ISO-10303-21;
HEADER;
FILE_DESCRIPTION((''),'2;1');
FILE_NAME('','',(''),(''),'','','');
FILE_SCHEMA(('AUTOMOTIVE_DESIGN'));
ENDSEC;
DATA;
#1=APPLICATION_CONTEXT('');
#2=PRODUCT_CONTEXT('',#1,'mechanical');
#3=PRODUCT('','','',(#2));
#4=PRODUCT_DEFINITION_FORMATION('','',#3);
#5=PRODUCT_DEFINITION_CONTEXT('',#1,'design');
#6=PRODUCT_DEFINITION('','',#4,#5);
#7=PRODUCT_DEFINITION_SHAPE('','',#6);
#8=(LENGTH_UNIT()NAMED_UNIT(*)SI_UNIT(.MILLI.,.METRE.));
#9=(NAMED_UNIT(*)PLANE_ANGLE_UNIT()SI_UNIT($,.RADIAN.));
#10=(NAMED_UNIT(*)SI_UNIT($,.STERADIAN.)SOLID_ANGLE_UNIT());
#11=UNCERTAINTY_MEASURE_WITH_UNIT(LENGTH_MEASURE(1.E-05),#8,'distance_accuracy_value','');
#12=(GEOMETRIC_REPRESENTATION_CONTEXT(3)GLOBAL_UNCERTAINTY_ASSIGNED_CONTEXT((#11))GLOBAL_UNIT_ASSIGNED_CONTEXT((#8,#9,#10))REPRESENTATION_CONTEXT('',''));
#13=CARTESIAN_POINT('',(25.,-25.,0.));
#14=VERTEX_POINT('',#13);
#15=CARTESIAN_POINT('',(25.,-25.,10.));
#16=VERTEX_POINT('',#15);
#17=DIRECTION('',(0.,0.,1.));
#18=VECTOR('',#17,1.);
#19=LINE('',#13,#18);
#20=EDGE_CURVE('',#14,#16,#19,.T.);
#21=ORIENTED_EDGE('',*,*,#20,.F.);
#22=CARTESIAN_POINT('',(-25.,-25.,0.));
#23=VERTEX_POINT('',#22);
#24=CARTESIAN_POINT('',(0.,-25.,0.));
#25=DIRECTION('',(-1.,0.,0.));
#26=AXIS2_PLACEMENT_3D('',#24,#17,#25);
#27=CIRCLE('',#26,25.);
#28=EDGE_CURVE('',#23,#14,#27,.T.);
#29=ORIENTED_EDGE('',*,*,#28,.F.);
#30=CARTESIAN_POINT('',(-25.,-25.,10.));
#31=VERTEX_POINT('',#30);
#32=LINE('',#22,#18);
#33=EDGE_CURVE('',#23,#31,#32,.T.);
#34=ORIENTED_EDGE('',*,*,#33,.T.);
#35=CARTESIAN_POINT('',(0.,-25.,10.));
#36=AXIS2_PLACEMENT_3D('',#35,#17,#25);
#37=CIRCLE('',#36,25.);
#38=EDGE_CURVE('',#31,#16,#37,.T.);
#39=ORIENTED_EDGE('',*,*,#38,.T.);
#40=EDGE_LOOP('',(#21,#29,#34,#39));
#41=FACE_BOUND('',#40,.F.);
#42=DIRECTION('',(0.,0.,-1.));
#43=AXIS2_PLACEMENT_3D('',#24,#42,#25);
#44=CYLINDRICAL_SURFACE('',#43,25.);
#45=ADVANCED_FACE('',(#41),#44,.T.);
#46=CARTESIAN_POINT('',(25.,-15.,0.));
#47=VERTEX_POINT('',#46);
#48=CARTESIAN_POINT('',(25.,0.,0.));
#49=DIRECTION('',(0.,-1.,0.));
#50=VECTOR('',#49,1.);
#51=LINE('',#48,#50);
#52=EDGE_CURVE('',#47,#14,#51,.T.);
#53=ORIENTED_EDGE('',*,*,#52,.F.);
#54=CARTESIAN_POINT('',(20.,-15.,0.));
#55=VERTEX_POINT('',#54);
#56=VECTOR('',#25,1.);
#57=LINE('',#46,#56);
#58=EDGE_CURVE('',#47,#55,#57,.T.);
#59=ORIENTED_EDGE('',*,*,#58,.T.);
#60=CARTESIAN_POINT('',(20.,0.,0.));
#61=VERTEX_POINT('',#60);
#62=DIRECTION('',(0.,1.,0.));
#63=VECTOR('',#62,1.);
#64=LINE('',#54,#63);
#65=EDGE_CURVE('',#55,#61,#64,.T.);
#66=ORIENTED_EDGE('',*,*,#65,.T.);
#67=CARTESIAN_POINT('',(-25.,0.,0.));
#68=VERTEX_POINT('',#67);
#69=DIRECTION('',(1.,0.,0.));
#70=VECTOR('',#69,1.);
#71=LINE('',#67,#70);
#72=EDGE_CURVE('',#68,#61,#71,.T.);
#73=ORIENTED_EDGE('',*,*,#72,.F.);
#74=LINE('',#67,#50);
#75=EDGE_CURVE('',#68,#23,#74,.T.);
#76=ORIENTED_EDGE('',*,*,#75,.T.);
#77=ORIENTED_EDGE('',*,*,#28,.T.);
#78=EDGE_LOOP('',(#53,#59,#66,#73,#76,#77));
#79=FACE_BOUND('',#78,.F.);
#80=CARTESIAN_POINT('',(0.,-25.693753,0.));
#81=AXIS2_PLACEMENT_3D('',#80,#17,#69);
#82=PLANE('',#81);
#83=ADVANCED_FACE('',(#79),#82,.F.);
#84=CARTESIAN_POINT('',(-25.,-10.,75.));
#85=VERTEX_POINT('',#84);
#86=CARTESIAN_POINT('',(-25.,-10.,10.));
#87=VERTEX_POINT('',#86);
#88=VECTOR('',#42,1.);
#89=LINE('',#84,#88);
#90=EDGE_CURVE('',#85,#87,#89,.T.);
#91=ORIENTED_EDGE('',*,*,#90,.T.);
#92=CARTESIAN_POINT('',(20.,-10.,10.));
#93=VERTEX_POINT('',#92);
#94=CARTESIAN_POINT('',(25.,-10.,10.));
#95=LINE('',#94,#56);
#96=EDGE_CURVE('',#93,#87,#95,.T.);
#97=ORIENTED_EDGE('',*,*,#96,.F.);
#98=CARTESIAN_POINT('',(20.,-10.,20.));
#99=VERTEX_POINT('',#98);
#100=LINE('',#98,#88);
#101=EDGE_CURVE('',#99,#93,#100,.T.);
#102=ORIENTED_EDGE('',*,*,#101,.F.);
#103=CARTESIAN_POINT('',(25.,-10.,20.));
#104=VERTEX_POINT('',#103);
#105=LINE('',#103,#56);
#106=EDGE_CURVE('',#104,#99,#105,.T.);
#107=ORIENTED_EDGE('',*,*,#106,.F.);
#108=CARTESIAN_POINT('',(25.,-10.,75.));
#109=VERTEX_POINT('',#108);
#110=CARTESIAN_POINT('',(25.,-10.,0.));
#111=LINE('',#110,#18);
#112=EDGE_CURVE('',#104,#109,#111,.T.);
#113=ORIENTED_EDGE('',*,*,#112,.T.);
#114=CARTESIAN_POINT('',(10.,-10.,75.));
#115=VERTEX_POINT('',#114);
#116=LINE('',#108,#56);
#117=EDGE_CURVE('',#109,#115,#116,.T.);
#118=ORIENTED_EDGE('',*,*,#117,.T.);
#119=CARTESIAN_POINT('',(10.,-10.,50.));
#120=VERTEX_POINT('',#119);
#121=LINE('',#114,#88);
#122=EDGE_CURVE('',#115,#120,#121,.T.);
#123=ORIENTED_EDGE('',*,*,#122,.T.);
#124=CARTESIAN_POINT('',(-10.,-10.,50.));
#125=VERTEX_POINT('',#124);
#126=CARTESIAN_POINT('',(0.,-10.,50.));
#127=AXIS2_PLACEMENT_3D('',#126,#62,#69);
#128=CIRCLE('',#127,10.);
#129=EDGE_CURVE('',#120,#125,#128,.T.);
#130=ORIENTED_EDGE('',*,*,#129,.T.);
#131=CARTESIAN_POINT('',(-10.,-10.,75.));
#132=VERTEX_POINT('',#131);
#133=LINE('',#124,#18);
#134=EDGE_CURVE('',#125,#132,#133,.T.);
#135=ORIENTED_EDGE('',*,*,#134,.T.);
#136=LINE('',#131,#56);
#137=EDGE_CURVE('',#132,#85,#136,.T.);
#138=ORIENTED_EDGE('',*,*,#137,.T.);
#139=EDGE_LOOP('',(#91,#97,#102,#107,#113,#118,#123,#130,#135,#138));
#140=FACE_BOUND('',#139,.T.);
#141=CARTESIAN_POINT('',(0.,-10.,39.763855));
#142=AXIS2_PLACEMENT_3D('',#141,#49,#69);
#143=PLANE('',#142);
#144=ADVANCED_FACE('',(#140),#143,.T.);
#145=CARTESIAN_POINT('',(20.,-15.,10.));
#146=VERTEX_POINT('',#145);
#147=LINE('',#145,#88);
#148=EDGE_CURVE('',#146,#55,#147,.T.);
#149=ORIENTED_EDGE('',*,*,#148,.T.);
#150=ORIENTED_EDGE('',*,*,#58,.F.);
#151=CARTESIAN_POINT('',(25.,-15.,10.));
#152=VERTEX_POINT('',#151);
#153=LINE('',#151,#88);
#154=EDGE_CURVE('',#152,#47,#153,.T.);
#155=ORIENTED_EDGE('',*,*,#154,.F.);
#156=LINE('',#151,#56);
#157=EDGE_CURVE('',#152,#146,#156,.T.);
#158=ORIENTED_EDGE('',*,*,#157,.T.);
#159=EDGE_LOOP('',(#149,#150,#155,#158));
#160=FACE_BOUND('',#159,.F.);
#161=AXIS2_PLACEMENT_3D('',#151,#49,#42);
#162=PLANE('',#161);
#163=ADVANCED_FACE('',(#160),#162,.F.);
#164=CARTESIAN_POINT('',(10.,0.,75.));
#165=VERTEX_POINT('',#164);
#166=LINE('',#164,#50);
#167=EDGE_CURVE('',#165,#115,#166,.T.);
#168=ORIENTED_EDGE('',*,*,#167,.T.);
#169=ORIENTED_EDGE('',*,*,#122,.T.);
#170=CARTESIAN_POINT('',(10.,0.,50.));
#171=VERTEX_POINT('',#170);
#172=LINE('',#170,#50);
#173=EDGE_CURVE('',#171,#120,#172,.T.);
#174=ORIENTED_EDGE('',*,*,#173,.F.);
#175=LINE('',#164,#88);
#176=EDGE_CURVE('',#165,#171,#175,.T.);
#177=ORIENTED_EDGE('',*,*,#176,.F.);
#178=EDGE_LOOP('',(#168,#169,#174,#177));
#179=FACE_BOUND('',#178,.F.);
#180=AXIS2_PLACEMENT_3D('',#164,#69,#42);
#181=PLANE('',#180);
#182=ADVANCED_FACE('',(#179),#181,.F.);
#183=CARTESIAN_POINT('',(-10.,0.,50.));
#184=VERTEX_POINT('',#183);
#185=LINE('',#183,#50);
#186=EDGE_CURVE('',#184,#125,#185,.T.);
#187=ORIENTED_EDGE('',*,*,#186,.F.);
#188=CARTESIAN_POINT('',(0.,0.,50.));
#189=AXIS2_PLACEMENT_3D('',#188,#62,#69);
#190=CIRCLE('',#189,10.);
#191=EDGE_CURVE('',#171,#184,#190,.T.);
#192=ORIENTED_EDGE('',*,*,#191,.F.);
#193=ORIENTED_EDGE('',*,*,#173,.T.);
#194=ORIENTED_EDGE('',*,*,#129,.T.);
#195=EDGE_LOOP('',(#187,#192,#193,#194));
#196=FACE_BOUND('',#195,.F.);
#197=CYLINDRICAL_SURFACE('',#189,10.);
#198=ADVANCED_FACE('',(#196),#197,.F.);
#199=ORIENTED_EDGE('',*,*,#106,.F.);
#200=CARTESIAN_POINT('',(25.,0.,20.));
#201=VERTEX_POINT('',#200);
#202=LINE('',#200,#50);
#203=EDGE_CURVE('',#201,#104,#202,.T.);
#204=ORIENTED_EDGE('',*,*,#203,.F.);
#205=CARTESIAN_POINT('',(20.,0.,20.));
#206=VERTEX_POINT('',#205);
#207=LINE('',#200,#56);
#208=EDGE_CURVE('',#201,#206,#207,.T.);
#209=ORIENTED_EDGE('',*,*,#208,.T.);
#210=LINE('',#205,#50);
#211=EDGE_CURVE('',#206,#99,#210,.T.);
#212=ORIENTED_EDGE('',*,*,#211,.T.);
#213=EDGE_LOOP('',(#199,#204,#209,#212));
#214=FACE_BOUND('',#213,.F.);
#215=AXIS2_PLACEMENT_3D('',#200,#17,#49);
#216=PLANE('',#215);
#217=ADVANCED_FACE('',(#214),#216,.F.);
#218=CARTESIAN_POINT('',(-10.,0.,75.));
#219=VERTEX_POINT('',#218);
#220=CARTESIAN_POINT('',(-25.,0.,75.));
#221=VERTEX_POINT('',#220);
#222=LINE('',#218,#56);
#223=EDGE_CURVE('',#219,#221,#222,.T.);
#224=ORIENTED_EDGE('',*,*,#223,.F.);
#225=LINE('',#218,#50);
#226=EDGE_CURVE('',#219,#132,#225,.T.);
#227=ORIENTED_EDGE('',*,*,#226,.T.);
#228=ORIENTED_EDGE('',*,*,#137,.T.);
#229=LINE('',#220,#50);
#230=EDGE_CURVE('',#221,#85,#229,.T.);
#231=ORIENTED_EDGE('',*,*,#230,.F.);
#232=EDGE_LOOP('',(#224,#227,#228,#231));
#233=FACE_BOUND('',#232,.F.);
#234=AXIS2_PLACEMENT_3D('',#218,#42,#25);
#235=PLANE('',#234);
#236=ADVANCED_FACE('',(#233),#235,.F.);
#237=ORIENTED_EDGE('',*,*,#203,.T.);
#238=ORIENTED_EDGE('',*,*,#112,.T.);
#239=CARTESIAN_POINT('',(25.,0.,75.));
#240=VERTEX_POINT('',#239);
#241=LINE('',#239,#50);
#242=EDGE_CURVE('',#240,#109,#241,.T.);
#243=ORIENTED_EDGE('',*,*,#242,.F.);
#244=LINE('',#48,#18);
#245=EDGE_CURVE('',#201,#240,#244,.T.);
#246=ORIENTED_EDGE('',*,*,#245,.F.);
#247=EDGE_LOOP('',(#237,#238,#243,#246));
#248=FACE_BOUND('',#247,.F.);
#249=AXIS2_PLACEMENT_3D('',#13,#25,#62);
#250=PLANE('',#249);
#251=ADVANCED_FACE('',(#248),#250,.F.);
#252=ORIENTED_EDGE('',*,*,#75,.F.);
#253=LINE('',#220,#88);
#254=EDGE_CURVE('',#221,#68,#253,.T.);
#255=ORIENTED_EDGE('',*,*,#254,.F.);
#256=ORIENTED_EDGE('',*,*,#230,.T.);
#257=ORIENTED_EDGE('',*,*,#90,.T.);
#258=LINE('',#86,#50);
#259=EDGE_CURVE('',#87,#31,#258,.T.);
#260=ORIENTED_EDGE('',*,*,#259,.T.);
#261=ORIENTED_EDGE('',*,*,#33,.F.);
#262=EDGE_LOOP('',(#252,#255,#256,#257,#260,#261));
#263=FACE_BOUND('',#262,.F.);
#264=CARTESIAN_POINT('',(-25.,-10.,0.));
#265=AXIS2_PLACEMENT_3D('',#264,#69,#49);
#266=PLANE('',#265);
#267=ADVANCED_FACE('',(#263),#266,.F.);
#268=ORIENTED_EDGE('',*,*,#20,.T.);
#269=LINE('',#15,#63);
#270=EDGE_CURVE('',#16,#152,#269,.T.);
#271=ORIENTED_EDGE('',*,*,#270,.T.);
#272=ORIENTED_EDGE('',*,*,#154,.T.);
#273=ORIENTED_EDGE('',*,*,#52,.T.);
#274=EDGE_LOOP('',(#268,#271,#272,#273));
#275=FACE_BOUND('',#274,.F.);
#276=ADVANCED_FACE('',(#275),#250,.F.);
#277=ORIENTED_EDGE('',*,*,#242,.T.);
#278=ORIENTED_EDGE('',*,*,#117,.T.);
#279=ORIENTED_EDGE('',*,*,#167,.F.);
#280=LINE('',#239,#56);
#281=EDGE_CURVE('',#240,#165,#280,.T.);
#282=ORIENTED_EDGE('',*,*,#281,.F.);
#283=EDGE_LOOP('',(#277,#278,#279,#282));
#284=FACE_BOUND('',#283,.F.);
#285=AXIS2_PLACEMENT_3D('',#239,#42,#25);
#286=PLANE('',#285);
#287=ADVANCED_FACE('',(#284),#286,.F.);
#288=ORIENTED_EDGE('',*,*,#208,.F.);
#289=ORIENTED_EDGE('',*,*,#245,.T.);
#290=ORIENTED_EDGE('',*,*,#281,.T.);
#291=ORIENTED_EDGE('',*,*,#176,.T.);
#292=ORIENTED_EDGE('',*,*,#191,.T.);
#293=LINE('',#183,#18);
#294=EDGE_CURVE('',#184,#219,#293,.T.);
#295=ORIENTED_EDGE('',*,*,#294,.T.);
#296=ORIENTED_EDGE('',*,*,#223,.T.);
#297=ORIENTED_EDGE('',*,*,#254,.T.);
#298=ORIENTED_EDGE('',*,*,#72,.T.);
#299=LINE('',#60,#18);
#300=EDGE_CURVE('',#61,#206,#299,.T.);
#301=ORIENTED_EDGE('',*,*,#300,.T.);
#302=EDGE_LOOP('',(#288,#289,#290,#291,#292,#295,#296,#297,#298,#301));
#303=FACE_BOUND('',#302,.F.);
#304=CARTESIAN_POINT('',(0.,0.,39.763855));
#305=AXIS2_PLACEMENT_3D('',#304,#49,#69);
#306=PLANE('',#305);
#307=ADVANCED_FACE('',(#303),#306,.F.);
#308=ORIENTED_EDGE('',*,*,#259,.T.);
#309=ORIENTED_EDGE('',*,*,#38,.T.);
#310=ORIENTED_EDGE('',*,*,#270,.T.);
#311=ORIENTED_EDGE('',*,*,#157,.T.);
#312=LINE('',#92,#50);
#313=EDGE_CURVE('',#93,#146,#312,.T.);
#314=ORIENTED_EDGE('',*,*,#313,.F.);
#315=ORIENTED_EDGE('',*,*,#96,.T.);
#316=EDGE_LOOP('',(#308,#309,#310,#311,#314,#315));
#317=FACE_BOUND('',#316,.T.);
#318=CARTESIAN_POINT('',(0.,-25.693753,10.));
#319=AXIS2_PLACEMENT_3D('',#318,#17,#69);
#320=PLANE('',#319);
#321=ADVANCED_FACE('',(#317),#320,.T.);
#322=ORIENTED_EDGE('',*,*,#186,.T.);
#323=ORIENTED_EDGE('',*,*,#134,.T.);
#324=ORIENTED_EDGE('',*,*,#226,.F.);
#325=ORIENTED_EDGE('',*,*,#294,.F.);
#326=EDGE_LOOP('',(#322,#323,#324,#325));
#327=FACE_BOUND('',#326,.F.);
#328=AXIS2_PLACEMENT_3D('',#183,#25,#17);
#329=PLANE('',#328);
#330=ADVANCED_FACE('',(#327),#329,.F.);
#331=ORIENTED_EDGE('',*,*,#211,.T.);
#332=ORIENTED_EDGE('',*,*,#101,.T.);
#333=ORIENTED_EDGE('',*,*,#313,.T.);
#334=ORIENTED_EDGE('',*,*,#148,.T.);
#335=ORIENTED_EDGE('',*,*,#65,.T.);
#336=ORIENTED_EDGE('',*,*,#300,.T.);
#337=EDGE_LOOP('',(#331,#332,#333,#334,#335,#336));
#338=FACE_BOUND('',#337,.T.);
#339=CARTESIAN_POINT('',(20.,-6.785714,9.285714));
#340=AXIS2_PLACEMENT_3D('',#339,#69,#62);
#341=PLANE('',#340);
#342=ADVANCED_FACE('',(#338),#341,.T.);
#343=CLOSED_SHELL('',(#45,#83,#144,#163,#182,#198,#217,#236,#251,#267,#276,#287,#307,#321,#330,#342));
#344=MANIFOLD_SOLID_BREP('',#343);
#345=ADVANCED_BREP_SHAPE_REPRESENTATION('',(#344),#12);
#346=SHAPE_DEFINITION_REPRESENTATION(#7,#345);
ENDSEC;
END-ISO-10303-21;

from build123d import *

# Parameters (mm, degrees)
F1_DEPTH = 10
F3_DEPTH = 10
F5_DEPTH = 5


with BuildPart() as f1:
    # F0 (on Front) → F1 (new body)
    with BuildSketch(Plane.XZ):
        with BuildLine():
            Line((-25, 75), (-25, 0))
            Line((-25, 0), (25, 0))
            Line((25, 0), (25, 75))
            Line((25, 75), (10, 75))
            Line((10, 75), (10, 50))
            ThreePointArc((10, 50), (0, 40), (-10, 50))
            Line((-10, 50), (-10, 75))
            Line((-10, 75), (-25, 75))
        make_face()
    extrude(amount=F1_DEPTH)

    # F2 (on Top) → F3 (join)
    with BuildSketch(Plane.XY):
        with BuildLine():
            Line((10, -10), (-10, -10))
            Line((-10, -10), (-25, -10))
            Line((-25, -10), (-25, -25))
            ThreePointArc((-25, -25), (0, -50), (25, -25))
            Line((25, -25), (25, -10))
            Line((25, -10), (10, -10))
        make_face()
    extrude(amount=F3_DEPTH)

    # F4 (on face) → F5 (cut)
    with BuildSketch(Plane.YZ.offset(25)):
        Polygon((0, 20), (-10, 20), (-10, 10), (-15, 10), (-15, 0), (0, 0), align=None)
    extrude(amount=-F5_DEPTH, mode=Mode.SUBTRACT)


solid = f1.part
